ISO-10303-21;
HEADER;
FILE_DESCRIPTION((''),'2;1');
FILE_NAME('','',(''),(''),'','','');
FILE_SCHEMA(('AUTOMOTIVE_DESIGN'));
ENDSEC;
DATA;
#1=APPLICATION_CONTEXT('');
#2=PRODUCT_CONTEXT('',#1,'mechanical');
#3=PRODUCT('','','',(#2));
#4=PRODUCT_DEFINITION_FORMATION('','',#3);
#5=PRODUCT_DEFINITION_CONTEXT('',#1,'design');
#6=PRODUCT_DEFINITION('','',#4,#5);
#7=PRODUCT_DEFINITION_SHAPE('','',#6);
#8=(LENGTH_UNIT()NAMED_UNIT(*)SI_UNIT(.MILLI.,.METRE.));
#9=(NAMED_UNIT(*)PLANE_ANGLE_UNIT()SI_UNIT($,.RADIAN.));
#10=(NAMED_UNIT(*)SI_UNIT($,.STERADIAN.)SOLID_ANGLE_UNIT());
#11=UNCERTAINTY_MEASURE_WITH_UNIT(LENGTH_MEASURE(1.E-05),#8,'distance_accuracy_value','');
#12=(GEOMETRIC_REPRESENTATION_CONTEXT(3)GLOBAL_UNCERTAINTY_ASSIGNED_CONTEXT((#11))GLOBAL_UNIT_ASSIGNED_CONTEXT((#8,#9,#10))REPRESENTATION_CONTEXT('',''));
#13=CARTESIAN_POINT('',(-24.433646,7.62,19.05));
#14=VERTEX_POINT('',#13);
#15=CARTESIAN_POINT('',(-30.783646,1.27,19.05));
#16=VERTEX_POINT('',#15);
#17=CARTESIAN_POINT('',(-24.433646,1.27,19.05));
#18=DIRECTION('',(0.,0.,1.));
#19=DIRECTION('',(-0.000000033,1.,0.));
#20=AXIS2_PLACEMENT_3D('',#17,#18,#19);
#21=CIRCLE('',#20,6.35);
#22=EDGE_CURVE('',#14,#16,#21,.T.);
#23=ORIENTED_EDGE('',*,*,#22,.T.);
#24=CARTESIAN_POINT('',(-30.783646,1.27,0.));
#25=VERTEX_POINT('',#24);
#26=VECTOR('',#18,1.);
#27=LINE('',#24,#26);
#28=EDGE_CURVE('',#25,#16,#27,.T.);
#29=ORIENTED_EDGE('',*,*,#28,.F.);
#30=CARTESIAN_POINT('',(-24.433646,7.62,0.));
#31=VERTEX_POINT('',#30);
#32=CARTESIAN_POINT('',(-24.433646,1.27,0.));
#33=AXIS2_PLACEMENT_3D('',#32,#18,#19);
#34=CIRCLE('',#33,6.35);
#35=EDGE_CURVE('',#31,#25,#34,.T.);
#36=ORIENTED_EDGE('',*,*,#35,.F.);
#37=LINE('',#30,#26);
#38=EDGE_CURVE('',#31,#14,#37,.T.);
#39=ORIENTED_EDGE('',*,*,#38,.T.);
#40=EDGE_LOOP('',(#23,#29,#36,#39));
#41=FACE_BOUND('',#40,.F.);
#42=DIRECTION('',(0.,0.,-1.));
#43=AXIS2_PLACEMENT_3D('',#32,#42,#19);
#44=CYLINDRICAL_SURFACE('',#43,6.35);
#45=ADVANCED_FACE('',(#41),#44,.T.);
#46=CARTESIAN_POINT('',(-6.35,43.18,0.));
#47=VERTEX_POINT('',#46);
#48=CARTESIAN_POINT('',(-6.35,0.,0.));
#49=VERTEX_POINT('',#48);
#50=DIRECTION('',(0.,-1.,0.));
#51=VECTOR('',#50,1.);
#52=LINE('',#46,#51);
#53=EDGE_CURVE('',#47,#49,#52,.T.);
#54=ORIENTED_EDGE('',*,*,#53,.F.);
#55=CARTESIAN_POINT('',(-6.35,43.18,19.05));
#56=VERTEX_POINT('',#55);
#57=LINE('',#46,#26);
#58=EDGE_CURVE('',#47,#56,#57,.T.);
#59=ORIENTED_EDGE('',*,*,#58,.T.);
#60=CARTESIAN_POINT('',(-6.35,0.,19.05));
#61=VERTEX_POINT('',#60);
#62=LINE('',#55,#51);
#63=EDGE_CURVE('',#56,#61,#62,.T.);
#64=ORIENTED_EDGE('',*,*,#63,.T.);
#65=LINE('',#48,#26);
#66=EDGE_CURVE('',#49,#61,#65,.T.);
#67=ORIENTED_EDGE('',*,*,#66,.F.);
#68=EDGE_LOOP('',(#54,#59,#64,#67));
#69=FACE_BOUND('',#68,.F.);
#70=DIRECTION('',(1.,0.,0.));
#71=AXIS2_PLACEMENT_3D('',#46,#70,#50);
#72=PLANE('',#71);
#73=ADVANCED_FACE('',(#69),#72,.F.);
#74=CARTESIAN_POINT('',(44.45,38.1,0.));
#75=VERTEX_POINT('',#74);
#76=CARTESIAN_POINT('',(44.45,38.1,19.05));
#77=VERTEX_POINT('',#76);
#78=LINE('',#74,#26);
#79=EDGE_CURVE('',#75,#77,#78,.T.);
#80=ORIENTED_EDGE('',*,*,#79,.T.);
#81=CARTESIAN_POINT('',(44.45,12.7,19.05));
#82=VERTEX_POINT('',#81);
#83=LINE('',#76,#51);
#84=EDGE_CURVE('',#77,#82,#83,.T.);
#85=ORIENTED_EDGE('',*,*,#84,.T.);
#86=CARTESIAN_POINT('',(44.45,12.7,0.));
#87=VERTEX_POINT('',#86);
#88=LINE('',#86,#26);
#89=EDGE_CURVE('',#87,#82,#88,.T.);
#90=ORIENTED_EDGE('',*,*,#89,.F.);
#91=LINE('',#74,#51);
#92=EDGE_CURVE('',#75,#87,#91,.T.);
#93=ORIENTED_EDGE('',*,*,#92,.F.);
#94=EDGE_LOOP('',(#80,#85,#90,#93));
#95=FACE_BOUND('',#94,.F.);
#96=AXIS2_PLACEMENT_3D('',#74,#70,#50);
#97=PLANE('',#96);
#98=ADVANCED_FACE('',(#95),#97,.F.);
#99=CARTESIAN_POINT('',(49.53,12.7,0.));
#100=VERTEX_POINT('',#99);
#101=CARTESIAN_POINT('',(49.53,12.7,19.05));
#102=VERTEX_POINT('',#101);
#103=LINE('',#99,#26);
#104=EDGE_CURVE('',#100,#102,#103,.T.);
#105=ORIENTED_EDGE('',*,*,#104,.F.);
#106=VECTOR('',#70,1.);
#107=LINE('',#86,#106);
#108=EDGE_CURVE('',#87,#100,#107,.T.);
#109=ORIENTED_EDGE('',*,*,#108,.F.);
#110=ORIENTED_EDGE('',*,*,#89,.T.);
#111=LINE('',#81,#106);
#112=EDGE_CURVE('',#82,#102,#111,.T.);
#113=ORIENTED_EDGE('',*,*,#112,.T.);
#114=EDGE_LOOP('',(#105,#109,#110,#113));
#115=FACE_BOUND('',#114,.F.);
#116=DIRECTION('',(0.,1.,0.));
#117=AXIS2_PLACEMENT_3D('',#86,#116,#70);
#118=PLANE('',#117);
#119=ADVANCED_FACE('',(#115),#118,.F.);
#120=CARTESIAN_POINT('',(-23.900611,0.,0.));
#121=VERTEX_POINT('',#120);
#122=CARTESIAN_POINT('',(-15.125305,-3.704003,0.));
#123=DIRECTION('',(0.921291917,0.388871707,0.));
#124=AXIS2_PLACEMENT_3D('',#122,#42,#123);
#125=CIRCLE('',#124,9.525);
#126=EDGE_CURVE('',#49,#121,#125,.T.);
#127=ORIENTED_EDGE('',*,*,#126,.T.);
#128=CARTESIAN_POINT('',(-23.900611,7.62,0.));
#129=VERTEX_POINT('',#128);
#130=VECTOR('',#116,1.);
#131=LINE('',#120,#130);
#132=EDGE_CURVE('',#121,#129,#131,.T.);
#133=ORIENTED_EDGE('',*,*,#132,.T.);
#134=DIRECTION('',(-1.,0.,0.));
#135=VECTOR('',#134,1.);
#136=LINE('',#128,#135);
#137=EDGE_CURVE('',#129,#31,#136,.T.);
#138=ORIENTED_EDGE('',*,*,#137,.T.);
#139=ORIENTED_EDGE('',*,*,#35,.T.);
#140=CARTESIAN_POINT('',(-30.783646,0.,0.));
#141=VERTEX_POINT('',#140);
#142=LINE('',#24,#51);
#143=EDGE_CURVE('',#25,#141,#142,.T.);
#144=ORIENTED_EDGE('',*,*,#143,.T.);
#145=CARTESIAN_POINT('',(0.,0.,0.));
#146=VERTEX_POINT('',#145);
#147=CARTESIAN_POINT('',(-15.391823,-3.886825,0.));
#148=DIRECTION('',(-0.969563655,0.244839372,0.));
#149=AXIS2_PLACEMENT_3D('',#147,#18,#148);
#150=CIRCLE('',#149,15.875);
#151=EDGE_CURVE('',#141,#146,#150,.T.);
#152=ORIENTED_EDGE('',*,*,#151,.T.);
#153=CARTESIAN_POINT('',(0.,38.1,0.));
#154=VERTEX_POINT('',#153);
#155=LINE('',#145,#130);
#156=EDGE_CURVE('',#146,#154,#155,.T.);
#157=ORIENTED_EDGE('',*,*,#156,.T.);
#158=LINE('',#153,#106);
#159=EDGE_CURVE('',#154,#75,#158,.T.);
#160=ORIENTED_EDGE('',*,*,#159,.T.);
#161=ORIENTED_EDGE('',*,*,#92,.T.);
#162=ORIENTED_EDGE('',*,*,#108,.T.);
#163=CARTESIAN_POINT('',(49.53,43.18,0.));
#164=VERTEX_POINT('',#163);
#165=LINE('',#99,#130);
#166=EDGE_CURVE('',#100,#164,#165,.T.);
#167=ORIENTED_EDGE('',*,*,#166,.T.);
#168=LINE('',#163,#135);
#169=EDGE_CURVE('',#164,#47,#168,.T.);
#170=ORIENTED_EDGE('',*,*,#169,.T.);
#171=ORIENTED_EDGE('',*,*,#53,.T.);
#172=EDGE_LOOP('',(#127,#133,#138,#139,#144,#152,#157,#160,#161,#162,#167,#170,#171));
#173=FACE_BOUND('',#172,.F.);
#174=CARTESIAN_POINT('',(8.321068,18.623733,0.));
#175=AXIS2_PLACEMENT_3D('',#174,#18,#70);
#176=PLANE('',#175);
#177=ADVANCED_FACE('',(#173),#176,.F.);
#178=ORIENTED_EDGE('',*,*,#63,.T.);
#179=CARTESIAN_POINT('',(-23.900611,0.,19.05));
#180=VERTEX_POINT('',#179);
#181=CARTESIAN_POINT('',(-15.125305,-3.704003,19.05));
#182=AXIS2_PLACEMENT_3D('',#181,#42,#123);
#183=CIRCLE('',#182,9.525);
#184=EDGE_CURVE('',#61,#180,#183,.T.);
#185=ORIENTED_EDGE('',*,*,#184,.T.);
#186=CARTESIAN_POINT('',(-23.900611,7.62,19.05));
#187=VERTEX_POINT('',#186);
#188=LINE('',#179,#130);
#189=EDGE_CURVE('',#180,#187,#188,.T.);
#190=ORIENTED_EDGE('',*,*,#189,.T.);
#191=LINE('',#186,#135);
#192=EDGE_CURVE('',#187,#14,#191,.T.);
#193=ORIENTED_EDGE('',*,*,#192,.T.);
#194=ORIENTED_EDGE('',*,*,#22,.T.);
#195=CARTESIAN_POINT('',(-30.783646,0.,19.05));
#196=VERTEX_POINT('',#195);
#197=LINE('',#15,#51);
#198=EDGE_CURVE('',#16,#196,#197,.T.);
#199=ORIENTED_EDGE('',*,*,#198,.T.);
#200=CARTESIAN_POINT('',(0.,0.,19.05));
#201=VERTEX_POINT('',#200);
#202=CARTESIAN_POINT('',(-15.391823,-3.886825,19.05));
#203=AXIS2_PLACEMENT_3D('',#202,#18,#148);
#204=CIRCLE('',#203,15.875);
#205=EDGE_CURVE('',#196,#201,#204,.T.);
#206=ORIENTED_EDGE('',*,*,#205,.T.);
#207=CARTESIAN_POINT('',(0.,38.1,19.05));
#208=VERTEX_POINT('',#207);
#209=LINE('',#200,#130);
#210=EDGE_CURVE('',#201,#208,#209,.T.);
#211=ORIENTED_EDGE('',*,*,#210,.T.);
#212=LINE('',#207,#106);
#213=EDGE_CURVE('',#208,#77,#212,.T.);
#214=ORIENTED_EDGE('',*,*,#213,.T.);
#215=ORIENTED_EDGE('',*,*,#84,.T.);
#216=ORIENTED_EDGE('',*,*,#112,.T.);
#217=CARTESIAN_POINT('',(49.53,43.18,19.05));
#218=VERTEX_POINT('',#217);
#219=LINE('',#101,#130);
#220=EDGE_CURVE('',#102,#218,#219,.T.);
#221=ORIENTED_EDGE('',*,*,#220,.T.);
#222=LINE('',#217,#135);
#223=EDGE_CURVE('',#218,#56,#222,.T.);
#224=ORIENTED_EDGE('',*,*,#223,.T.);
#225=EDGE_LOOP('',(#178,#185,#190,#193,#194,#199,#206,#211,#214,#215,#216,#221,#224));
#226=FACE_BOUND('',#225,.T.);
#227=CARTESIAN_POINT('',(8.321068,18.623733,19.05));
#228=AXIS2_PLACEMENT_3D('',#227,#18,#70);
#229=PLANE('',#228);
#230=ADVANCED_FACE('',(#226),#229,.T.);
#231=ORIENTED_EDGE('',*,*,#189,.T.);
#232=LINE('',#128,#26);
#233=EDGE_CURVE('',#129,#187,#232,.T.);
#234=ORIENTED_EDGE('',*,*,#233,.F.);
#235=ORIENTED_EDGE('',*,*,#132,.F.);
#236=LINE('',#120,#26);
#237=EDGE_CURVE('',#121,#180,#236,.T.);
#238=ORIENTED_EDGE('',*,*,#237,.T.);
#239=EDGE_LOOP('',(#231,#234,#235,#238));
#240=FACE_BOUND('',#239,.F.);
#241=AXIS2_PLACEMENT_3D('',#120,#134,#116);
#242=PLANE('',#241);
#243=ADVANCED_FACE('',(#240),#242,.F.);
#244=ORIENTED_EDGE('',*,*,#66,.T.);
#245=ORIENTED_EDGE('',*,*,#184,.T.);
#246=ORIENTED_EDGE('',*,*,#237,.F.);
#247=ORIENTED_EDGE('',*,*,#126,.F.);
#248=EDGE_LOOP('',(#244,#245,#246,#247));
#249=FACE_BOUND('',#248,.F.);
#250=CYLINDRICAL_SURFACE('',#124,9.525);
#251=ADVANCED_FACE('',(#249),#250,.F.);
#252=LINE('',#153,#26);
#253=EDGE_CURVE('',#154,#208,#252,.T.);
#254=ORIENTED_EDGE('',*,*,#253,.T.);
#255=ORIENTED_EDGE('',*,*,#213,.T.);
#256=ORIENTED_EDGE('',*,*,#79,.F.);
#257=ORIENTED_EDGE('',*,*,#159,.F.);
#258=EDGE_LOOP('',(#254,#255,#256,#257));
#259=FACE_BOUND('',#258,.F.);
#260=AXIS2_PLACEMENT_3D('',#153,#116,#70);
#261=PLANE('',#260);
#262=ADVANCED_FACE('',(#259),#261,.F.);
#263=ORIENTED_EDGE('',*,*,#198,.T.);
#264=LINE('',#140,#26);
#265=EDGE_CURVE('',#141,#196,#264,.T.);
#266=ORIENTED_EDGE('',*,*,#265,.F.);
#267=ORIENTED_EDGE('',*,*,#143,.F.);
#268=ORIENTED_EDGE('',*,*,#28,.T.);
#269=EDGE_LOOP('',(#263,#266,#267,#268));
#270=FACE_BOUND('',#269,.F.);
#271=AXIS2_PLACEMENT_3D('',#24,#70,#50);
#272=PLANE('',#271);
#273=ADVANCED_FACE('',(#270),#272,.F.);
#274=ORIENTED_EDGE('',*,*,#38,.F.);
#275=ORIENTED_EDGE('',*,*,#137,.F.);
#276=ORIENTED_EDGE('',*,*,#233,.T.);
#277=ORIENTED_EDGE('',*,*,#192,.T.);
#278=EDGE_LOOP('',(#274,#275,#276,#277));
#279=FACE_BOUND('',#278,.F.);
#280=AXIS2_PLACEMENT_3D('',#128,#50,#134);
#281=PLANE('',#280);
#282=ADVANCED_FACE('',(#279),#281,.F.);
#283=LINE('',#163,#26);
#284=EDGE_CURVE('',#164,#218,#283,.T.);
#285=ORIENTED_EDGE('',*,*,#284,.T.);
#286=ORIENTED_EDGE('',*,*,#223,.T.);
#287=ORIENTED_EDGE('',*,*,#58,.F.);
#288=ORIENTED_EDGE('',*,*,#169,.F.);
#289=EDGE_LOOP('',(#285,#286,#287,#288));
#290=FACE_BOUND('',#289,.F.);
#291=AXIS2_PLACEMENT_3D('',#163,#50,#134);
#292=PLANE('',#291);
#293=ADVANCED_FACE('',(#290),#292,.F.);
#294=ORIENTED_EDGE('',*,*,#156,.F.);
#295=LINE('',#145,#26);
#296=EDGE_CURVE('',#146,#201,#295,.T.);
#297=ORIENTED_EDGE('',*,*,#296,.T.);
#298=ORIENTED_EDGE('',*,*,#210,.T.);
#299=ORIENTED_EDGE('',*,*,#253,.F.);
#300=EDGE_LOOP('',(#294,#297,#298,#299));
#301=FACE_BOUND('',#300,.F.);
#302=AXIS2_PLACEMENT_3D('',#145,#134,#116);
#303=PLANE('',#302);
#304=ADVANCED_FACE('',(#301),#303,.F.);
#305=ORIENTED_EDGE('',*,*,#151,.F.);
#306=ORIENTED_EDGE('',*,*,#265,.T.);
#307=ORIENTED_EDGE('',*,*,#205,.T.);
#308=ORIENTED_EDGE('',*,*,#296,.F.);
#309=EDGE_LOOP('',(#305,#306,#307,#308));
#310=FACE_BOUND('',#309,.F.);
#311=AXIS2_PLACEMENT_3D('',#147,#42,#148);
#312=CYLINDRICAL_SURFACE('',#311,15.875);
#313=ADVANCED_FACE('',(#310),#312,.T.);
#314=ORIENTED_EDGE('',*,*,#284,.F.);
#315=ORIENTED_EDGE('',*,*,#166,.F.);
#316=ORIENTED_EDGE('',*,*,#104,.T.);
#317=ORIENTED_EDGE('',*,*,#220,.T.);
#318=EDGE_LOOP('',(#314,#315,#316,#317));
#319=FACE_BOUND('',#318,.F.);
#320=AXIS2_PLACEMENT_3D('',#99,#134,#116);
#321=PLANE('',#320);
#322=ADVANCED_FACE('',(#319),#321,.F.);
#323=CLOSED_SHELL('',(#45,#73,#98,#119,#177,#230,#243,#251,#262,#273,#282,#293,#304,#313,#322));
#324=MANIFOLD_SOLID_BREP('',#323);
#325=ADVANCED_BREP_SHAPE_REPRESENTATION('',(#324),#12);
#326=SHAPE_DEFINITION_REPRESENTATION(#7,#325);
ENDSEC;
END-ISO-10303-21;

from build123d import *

# Parameters (mm, degrees)
F1_DEPTH = 19.05


with BuildPart() as f1:
    # F0 (on Top) → F1 (new body)
    with BuildSketch(Plane.XY):
        with BuildLine():
            Line((-30.783646, 1.27), (-30.783646, 0))
            ThreePointArc((-30.783646, 0), (-15.391823, -19.761825), (0, 0))
            Line((0, 0), (0, 38.1))
            Line((0, 38.1), (44.45, 38.1))
            Line((44.45, 38.1), (44.45, 12.7))
            Line((44.45, 12.7), (49.53, 12.7))
            Line((49.53, 12.7), (49.53, 43.18))
            Line((49.53, 43.18), (0, 43.18))
            Line((0, 43.18), (-6.35, 43.18))
            Line((-6.35, 43.18), (-6.35, 0))
            ThreePointArc((-6.35, 0), (-15.125306, -13.229003), (-23.900611, 0))
            Line((-23.900611, 0), (-23.900611, 7.62))
            Line((-23.900611, 7.62), (-24.433646, 7.62))
            ThreePointArc((-24.433646, 7.62), (-28.923774, 5.760128), (-30.783646, 1.27))
        make_face()
    extrude(amount=F1_DEPTH)


solid = f1.part
